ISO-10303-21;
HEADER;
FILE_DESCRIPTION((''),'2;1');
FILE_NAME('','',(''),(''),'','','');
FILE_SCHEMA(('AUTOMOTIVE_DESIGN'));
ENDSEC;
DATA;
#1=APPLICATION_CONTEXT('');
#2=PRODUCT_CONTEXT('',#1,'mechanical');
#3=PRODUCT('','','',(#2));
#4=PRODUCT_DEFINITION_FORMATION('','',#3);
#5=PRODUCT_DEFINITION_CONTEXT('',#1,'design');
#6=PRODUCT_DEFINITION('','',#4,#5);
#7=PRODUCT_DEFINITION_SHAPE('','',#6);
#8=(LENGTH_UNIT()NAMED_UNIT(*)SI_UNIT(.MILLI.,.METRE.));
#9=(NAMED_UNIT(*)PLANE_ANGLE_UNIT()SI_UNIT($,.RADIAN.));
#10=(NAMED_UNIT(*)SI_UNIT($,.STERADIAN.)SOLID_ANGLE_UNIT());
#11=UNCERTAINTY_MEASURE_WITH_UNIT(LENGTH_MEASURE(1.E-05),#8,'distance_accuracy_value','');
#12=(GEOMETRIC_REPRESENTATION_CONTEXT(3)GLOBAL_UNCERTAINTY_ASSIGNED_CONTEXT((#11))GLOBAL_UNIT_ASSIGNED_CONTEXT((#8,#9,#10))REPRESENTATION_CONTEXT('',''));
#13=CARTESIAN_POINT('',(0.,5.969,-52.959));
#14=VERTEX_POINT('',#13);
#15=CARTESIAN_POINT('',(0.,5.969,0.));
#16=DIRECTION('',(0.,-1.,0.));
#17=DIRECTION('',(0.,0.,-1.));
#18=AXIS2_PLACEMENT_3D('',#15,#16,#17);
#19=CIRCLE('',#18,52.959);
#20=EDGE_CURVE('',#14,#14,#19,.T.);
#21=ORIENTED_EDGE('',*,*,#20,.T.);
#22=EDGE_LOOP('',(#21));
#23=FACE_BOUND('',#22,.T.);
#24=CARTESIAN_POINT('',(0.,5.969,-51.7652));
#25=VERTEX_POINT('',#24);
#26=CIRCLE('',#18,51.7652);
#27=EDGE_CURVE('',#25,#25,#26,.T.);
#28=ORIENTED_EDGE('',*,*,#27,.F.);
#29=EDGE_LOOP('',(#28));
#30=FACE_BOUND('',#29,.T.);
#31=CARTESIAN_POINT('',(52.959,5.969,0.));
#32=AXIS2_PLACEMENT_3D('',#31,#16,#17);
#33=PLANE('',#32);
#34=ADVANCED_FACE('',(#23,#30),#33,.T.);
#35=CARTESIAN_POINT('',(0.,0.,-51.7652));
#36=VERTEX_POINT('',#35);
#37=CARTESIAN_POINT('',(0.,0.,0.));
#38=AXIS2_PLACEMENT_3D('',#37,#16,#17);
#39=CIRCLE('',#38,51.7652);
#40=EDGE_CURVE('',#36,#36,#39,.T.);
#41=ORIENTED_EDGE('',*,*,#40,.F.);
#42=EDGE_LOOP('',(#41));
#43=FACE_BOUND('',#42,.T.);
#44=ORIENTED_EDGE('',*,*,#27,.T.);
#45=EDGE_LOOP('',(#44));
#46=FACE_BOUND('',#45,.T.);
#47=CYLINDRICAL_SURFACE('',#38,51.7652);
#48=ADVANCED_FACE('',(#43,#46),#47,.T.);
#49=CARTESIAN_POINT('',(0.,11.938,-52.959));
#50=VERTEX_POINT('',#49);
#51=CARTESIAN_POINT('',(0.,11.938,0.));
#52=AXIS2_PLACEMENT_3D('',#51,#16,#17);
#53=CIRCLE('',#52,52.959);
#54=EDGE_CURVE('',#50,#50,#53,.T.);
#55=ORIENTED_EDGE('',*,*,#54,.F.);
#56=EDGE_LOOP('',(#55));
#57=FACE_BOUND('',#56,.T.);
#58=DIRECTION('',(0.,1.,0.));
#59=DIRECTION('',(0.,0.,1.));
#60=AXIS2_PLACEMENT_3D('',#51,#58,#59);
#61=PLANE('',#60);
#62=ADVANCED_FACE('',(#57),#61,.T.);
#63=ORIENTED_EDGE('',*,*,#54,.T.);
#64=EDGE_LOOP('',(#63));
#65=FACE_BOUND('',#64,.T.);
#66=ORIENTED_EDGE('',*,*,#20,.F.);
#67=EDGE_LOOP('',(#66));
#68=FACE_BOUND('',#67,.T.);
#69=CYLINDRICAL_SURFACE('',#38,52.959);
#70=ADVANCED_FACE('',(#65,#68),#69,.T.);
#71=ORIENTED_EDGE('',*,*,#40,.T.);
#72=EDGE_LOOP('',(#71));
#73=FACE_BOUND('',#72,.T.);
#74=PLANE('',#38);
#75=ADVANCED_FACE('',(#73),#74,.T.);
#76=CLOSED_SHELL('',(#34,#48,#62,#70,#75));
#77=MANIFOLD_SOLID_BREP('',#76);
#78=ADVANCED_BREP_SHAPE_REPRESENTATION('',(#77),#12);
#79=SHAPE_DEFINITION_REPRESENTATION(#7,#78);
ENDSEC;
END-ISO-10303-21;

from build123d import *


with BuildPart() as part:
    # Sketch1 → Revolve1 (revolve)
    with BuildSketch(Plane.XY, mode=Mode.PRIVATE) as revolve1_sk:
        Polygon((0, 0), (0, 11.938), (52.959, 11.938), (52.959, 5.969), (51.7652, 5.969), (51.7652, 0), align=None)
    revolve(revolve1_sk.sketch.rotate(Axis((0, 0, 0), (0, 1, 0)), 90), axis=Axis((0, 0, 0), (0, 1, 0)))


solid = part.part
